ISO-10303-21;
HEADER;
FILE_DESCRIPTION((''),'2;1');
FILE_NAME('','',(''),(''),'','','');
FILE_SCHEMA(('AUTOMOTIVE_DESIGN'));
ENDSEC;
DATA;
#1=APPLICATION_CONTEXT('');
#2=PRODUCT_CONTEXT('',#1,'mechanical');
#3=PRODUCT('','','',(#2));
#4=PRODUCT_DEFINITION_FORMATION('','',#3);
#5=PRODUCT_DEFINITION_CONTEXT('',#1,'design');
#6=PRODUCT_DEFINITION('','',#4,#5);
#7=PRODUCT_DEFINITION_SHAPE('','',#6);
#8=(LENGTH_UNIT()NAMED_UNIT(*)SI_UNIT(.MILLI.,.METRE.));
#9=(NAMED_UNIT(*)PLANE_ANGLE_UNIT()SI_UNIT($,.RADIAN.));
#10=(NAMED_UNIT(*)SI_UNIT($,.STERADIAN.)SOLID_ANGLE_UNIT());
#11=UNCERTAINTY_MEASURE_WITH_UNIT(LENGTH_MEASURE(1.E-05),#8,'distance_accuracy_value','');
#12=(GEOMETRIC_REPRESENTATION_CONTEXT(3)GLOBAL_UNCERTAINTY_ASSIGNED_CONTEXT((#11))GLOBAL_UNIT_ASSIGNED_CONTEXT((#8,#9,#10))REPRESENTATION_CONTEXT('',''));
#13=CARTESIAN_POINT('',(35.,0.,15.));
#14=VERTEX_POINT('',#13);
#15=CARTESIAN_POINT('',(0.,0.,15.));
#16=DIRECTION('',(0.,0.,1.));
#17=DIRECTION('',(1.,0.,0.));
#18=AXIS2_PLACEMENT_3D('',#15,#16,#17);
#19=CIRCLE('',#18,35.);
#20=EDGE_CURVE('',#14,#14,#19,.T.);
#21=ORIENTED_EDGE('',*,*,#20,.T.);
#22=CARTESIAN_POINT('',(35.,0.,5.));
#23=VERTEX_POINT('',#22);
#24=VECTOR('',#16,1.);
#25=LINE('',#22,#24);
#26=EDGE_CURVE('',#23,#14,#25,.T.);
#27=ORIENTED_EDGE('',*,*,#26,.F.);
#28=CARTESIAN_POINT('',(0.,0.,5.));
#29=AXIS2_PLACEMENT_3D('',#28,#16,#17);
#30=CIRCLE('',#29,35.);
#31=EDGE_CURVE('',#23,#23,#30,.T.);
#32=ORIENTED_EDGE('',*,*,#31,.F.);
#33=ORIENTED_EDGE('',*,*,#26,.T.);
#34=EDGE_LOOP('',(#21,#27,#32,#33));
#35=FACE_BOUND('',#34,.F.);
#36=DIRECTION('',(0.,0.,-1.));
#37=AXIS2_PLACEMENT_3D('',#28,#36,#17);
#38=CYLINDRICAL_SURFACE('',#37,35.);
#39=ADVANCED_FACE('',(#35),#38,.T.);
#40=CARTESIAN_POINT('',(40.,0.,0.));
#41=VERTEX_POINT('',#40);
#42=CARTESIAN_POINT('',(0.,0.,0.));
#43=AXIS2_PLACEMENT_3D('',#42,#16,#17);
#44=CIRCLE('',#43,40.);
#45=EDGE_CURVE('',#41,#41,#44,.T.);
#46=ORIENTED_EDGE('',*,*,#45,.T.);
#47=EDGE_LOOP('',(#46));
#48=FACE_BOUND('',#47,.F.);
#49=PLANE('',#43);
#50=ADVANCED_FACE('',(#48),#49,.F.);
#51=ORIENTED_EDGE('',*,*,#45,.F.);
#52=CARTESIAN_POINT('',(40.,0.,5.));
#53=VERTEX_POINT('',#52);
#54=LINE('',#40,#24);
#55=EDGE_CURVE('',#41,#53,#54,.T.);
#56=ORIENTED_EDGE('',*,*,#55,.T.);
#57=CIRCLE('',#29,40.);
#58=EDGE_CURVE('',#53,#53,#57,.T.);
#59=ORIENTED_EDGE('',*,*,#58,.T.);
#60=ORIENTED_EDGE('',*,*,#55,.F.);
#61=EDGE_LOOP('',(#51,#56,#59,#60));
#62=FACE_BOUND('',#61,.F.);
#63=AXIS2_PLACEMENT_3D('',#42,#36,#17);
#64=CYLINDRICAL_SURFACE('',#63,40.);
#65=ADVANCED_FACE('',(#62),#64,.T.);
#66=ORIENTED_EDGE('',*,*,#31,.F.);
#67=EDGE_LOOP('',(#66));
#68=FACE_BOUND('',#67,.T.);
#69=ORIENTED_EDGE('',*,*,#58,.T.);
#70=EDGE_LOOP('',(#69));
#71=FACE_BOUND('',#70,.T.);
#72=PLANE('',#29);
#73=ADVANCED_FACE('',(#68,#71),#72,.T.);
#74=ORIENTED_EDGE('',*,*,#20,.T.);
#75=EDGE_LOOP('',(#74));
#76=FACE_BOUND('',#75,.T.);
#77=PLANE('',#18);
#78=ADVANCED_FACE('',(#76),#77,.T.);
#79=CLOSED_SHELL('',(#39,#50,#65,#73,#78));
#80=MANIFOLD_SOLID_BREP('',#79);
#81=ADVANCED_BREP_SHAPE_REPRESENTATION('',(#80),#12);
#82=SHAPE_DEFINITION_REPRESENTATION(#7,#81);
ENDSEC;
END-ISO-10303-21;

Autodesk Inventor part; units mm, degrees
ref_plane "YZ Plane" through (0, 0, 0) normal (1, 0, 0) x (0, 1, 0)
ref_plane "XZ Plane" through (0, 0, 0) normal (0, 1, 0) x (-1, 0, 0)
ref_plane "XY Plane" through (0, 0, 0) normal (0, 0, 1) x (1, 0, 0)
sketch "Szkic1" plane through (0, 0, 0) normal (0, 0, 1) x (1, 0, 0)
  circle A0 centre (0, 0) radius 40
  circle A1 centre (0, 0) radius 35
  dimension "d0" = 80
  dimension "d1" = 5
extrude "Wyciągnięcie proste1" add sketch "Szkic1" along normal blind 5 contours A0 | A1
sketch "Szkic2" plane through (0, 0, 5) normal (0, 0, 1) x (1, 0, 0)
  circle A0 centre (0, 0) radius 40 projected
  circle A1 centre (0, 0) radius 35
  dimension "d4" = 5
extrude "Wyciągnięcie proste2" add sketch "Szkic2" along normal blind 10 contours A1
properties part number "pokrywka" material "Tworzywo sztuczne PET"
